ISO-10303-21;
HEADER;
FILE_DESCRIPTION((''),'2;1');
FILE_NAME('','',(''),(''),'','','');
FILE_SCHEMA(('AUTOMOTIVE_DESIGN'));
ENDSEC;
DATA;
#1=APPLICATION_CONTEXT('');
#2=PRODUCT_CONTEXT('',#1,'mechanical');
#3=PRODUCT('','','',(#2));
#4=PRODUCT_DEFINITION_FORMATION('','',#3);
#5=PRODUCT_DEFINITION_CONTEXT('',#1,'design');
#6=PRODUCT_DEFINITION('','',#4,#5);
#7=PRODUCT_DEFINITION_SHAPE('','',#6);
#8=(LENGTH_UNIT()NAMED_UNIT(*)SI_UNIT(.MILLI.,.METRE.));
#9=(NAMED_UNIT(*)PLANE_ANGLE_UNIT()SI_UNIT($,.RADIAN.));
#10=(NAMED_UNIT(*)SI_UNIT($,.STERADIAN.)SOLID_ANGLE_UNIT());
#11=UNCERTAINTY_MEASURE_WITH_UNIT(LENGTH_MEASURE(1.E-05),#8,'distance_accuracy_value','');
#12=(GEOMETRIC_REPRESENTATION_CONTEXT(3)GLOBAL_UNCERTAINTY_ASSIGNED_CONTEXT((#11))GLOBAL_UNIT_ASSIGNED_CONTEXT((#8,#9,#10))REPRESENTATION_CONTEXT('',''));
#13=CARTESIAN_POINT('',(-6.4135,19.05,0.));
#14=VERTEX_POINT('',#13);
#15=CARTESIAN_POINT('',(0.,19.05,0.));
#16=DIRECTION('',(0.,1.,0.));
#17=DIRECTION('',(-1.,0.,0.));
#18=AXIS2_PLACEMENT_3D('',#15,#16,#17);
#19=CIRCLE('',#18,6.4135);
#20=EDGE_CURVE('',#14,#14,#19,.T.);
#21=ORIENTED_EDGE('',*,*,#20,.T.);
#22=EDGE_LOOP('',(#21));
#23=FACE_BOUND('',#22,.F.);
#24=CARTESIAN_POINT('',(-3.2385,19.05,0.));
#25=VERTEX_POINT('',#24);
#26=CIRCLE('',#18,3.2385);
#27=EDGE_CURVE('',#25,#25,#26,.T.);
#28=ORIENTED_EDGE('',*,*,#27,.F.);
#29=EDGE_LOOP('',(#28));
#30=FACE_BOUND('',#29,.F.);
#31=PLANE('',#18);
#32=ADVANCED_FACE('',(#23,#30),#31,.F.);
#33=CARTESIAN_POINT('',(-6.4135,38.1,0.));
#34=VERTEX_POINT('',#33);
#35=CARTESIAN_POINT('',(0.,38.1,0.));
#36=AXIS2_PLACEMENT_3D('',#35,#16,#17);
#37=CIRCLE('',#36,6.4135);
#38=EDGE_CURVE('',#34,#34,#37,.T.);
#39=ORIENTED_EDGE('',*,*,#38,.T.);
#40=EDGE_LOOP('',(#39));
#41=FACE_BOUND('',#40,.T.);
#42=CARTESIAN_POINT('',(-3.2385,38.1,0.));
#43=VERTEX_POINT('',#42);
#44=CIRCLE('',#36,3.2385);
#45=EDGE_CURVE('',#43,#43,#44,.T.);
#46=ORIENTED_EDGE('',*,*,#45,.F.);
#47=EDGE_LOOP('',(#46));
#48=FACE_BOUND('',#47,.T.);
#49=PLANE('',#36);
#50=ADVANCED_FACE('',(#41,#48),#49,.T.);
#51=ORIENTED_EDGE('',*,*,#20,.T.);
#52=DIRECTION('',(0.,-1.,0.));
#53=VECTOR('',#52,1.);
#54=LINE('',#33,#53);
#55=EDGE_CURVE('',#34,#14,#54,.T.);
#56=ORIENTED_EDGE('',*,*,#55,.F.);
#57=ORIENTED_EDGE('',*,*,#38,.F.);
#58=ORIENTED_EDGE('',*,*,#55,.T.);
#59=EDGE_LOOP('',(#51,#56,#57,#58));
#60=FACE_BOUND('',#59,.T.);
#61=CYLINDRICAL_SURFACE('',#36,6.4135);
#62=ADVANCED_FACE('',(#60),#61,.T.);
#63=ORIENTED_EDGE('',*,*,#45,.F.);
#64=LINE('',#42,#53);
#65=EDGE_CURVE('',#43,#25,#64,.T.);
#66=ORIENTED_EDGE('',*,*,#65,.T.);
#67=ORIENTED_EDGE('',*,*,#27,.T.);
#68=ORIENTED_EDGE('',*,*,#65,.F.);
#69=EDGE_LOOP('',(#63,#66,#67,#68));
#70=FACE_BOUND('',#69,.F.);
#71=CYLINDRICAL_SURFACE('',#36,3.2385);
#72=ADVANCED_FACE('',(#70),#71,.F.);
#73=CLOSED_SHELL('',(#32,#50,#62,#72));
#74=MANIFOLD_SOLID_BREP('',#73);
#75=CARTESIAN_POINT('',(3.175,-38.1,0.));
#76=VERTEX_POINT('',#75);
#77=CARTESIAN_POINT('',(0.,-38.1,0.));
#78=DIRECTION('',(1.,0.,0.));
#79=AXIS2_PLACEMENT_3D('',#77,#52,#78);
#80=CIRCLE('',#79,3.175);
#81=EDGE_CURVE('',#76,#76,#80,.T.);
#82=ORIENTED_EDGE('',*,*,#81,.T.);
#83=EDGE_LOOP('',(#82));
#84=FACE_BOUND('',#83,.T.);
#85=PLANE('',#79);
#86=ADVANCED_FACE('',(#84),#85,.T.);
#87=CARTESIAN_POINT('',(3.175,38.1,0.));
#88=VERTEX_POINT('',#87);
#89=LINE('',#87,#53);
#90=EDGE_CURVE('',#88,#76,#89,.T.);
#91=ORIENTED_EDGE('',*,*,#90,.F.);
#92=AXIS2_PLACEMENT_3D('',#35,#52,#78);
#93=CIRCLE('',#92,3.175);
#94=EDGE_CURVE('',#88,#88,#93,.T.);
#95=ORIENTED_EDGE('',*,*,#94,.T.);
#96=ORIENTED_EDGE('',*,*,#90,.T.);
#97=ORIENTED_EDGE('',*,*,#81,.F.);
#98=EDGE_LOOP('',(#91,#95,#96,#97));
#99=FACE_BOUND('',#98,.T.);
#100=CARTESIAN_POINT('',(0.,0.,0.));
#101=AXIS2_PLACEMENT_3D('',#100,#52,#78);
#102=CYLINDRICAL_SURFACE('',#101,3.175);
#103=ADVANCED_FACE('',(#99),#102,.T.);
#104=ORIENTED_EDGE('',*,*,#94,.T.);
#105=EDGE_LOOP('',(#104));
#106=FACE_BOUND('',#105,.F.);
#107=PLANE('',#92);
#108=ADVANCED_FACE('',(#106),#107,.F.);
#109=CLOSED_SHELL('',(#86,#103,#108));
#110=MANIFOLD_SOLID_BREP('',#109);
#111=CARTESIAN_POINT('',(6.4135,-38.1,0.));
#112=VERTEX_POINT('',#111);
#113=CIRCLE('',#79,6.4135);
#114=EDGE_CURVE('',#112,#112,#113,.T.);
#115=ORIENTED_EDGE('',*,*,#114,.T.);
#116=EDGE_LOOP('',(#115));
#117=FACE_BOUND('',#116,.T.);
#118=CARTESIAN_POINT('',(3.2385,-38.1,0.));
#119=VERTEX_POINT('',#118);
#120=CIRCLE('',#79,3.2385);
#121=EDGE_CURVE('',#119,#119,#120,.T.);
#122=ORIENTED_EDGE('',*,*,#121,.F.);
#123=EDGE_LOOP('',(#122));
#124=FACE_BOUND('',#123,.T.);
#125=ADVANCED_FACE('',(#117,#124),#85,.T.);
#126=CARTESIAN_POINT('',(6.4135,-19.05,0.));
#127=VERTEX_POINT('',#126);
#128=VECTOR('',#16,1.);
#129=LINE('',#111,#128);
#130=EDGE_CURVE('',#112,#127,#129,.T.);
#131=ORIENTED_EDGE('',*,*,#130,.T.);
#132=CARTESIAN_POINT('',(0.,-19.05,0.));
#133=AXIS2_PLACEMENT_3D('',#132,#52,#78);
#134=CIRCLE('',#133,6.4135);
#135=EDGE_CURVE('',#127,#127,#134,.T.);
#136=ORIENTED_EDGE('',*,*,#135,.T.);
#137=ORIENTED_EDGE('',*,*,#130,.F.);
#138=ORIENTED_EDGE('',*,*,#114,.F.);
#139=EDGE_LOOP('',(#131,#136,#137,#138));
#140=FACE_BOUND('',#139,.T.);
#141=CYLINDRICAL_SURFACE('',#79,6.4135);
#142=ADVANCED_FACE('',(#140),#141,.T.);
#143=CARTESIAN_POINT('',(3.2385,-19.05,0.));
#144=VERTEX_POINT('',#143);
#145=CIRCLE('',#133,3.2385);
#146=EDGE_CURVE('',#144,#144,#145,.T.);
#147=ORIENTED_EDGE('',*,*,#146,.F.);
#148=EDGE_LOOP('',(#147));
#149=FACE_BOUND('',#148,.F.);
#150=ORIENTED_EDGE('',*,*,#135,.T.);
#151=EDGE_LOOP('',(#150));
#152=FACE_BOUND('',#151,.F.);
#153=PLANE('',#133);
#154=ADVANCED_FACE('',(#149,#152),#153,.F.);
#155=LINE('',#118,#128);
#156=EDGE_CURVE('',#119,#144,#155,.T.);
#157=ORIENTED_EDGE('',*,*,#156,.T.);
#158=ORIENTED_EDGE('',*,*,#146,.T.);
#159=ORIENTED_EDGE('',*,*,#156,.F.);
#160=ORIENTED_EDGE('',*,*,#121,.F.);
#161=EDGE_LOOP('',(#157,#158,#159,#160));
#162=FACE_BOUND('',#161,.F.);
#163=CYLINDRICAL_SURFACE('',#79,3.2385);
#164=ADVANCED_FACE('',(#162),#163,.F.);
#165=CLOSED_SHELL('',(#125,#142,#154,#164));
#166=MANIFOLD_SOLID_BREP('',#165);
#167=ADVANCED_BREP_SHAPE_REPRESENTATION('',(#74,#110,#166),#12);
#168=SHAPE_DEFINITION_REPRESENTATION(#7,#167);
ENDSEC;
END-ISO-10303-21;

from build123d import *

# Parameters (mm, degrees)
F0_R     = 3.175
F1_DEPTH = 38.1
F2_R     = 6.4135
F2_R_2   = 3.2385
F3_DEPTH = 19.05
F4_R     = 6.4135
F4_R_2   = 3.2385
F5_DEPTH = 19.05


with BuildPart() as f1:
    # F0 (on Front) → F1 (new body, symmetric)
    with BuildSketch(Plane.XZ):
        Circle(F0_R)
    extrude(amount=F1_DEPTH, both=True)


with BuildPart() as f3:
    # F2 (on face) → F3 (new body)
    with BuildSketch(Plane.XZ.offset(38.1)):
        Circle(F2_R)
        Circle(F2_R_2, mode=Mode.SUBTRACT)
    extrude(amount=-F3_DEPTH)


with BuildPart() as f5:
    # F4 (on face) → F5 (new body)
    with BuildSketch(Plane(origin=(0, 38.1, 0), x_dir=(-1, 0, 0), z_dir=(0, 1, 0))):
        Circle(F4_R)
        Circle(F4_R_2, mode=Mode.SUBTRACT)
    extrude(amount=-F5_DEPTH)


solid = Compound([f1.part, f3.part, f5.part])
